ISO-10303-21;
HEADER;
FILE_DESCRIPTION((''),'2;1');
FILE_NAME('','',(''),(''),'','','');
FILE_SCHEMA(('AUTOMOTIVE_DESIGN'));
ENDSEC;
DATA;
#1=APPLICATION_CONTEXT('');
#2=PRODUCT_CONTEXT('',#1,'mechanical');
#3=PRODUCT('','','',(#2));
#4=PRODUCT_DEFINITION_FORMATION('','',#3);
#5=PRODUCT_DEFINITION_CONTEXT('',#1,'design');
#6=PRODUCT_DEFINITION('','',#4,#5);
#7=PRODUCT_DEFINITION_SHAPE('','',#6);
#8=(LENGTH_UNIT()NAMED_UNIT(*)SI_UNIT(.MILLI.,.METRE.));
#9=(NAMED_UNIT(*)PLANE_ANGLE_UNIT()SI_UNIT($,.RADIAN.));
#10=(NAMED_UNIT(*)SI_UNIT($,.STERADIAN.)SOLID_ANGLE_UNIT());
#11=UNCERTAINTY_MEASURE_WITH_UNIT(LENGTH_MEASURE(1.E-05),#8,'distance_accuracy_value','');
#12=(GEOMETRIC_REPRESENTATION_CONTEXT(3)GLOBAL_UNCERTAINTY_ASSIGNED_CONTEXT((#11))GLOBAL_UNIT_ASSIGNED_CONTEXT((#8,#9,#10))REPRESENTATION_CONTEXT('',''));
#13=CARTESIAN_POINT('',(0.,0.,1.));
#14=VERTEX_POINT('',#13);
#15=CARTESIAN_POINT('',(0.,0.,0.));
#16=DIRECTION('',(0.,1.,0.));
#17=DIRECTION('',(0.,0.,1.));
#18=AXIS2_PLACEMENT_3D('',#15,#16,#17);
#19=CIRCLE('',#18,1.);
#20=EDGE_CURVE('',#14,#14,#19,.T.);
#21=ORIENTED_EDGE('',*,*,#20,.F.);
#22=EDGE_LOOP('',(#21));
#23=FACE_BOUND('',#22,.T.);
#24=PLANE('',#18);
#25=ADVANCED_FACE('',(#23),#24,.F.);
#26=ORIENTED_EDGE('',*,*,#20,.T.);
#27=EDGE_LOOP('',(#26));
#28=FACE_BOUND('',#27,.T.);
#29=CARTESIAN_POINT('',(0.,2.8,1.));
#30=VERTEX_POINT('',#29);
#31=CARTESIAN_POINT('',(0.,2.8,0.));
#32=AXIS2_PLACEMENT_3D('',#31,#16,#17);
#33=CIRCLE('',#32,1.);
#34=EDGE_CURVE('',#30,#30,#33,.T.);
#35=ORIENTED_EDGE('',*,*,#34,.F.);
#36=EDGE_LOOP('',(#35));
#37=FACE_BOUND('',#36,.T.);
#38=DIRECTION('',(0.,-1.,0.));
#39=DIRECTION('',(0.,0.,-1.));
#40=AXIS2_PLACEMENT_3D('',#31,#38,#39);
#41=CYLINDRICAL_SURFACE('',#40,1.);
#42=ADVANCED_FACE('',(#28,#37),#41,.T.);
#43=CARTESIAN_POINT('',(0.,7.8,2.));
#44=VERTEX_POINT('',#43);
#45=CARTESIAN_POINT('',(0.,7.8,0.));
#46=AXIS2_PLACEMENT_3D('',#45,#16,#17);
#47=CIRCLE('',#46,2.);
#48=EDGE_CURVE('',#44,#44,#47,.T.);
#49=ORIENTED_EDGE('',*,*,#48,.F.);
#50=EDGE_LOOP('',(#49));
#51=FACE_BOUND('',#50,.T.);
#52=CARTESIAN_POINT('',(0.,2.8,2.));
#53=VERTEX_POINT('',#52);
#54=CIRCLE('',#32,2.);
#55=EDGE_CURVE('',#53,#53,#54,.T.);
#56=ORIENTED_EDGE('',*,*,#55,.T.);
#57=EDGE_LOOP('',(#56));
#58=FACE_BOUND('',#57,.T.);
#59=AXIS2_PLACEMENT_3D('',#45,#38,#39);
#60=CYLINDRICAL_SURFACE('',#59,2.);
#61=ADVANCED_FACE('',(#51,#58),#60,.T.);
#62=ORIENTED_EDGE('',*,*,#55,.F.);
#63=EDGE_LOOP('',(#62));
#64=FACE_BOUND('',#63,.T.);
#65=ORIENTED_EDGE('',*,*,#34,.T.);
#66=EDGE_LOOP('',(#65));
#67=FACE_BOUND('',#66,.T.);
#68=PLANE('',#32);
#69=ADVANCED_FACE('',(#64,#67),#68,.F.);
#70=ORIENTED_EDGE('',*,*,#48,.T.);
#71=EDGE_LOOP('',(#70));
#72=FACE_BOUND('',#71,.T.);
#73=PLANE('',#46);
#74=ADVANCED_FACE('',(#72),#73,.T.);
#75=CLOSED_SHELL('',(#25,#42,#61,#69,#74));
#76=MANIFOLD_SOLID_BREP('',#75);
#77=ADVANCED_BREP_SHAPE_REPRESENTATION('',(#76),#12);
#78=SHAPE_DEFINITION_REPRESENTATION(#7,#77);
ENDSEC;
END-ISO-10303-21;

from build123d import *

# Parameters (mm, degrees)
SKETCH_1_R      = 1
EXTRUDE_1_DEPTH = 2.8
SKETCH_2_R      = 2
EXTRUDE_2_DEPTH = 5


with BuildPart() as part:
    # 草圖1 → 填料-伸長1 (new body)
    with BuildSketch(Plane(origin=(0, 0, 0), x_dir=(1, 0, 0), z_dir=(0, 1, 0))):
        with Locations(Location((0, 0, 0), (0, 0, 270))):
            Circle(SKETCH_1_R)
    extrude(amount=EXTRUDE_1_DEPTH)

    # 草圖2 → 填料-伸長2 (add)
    with BuildSketch(Plane(origin=(0, 2.8, 0), x_dir=(1, 0, 0), z_dir=(0, 1, 0))):
        with Locations(Location((0, 0, 0), (0, 0, 270))):
            Circle(SKETCH_2_R)
    extrude(amount=EXTRUDE_2_DEPTH)


solid = part.part
